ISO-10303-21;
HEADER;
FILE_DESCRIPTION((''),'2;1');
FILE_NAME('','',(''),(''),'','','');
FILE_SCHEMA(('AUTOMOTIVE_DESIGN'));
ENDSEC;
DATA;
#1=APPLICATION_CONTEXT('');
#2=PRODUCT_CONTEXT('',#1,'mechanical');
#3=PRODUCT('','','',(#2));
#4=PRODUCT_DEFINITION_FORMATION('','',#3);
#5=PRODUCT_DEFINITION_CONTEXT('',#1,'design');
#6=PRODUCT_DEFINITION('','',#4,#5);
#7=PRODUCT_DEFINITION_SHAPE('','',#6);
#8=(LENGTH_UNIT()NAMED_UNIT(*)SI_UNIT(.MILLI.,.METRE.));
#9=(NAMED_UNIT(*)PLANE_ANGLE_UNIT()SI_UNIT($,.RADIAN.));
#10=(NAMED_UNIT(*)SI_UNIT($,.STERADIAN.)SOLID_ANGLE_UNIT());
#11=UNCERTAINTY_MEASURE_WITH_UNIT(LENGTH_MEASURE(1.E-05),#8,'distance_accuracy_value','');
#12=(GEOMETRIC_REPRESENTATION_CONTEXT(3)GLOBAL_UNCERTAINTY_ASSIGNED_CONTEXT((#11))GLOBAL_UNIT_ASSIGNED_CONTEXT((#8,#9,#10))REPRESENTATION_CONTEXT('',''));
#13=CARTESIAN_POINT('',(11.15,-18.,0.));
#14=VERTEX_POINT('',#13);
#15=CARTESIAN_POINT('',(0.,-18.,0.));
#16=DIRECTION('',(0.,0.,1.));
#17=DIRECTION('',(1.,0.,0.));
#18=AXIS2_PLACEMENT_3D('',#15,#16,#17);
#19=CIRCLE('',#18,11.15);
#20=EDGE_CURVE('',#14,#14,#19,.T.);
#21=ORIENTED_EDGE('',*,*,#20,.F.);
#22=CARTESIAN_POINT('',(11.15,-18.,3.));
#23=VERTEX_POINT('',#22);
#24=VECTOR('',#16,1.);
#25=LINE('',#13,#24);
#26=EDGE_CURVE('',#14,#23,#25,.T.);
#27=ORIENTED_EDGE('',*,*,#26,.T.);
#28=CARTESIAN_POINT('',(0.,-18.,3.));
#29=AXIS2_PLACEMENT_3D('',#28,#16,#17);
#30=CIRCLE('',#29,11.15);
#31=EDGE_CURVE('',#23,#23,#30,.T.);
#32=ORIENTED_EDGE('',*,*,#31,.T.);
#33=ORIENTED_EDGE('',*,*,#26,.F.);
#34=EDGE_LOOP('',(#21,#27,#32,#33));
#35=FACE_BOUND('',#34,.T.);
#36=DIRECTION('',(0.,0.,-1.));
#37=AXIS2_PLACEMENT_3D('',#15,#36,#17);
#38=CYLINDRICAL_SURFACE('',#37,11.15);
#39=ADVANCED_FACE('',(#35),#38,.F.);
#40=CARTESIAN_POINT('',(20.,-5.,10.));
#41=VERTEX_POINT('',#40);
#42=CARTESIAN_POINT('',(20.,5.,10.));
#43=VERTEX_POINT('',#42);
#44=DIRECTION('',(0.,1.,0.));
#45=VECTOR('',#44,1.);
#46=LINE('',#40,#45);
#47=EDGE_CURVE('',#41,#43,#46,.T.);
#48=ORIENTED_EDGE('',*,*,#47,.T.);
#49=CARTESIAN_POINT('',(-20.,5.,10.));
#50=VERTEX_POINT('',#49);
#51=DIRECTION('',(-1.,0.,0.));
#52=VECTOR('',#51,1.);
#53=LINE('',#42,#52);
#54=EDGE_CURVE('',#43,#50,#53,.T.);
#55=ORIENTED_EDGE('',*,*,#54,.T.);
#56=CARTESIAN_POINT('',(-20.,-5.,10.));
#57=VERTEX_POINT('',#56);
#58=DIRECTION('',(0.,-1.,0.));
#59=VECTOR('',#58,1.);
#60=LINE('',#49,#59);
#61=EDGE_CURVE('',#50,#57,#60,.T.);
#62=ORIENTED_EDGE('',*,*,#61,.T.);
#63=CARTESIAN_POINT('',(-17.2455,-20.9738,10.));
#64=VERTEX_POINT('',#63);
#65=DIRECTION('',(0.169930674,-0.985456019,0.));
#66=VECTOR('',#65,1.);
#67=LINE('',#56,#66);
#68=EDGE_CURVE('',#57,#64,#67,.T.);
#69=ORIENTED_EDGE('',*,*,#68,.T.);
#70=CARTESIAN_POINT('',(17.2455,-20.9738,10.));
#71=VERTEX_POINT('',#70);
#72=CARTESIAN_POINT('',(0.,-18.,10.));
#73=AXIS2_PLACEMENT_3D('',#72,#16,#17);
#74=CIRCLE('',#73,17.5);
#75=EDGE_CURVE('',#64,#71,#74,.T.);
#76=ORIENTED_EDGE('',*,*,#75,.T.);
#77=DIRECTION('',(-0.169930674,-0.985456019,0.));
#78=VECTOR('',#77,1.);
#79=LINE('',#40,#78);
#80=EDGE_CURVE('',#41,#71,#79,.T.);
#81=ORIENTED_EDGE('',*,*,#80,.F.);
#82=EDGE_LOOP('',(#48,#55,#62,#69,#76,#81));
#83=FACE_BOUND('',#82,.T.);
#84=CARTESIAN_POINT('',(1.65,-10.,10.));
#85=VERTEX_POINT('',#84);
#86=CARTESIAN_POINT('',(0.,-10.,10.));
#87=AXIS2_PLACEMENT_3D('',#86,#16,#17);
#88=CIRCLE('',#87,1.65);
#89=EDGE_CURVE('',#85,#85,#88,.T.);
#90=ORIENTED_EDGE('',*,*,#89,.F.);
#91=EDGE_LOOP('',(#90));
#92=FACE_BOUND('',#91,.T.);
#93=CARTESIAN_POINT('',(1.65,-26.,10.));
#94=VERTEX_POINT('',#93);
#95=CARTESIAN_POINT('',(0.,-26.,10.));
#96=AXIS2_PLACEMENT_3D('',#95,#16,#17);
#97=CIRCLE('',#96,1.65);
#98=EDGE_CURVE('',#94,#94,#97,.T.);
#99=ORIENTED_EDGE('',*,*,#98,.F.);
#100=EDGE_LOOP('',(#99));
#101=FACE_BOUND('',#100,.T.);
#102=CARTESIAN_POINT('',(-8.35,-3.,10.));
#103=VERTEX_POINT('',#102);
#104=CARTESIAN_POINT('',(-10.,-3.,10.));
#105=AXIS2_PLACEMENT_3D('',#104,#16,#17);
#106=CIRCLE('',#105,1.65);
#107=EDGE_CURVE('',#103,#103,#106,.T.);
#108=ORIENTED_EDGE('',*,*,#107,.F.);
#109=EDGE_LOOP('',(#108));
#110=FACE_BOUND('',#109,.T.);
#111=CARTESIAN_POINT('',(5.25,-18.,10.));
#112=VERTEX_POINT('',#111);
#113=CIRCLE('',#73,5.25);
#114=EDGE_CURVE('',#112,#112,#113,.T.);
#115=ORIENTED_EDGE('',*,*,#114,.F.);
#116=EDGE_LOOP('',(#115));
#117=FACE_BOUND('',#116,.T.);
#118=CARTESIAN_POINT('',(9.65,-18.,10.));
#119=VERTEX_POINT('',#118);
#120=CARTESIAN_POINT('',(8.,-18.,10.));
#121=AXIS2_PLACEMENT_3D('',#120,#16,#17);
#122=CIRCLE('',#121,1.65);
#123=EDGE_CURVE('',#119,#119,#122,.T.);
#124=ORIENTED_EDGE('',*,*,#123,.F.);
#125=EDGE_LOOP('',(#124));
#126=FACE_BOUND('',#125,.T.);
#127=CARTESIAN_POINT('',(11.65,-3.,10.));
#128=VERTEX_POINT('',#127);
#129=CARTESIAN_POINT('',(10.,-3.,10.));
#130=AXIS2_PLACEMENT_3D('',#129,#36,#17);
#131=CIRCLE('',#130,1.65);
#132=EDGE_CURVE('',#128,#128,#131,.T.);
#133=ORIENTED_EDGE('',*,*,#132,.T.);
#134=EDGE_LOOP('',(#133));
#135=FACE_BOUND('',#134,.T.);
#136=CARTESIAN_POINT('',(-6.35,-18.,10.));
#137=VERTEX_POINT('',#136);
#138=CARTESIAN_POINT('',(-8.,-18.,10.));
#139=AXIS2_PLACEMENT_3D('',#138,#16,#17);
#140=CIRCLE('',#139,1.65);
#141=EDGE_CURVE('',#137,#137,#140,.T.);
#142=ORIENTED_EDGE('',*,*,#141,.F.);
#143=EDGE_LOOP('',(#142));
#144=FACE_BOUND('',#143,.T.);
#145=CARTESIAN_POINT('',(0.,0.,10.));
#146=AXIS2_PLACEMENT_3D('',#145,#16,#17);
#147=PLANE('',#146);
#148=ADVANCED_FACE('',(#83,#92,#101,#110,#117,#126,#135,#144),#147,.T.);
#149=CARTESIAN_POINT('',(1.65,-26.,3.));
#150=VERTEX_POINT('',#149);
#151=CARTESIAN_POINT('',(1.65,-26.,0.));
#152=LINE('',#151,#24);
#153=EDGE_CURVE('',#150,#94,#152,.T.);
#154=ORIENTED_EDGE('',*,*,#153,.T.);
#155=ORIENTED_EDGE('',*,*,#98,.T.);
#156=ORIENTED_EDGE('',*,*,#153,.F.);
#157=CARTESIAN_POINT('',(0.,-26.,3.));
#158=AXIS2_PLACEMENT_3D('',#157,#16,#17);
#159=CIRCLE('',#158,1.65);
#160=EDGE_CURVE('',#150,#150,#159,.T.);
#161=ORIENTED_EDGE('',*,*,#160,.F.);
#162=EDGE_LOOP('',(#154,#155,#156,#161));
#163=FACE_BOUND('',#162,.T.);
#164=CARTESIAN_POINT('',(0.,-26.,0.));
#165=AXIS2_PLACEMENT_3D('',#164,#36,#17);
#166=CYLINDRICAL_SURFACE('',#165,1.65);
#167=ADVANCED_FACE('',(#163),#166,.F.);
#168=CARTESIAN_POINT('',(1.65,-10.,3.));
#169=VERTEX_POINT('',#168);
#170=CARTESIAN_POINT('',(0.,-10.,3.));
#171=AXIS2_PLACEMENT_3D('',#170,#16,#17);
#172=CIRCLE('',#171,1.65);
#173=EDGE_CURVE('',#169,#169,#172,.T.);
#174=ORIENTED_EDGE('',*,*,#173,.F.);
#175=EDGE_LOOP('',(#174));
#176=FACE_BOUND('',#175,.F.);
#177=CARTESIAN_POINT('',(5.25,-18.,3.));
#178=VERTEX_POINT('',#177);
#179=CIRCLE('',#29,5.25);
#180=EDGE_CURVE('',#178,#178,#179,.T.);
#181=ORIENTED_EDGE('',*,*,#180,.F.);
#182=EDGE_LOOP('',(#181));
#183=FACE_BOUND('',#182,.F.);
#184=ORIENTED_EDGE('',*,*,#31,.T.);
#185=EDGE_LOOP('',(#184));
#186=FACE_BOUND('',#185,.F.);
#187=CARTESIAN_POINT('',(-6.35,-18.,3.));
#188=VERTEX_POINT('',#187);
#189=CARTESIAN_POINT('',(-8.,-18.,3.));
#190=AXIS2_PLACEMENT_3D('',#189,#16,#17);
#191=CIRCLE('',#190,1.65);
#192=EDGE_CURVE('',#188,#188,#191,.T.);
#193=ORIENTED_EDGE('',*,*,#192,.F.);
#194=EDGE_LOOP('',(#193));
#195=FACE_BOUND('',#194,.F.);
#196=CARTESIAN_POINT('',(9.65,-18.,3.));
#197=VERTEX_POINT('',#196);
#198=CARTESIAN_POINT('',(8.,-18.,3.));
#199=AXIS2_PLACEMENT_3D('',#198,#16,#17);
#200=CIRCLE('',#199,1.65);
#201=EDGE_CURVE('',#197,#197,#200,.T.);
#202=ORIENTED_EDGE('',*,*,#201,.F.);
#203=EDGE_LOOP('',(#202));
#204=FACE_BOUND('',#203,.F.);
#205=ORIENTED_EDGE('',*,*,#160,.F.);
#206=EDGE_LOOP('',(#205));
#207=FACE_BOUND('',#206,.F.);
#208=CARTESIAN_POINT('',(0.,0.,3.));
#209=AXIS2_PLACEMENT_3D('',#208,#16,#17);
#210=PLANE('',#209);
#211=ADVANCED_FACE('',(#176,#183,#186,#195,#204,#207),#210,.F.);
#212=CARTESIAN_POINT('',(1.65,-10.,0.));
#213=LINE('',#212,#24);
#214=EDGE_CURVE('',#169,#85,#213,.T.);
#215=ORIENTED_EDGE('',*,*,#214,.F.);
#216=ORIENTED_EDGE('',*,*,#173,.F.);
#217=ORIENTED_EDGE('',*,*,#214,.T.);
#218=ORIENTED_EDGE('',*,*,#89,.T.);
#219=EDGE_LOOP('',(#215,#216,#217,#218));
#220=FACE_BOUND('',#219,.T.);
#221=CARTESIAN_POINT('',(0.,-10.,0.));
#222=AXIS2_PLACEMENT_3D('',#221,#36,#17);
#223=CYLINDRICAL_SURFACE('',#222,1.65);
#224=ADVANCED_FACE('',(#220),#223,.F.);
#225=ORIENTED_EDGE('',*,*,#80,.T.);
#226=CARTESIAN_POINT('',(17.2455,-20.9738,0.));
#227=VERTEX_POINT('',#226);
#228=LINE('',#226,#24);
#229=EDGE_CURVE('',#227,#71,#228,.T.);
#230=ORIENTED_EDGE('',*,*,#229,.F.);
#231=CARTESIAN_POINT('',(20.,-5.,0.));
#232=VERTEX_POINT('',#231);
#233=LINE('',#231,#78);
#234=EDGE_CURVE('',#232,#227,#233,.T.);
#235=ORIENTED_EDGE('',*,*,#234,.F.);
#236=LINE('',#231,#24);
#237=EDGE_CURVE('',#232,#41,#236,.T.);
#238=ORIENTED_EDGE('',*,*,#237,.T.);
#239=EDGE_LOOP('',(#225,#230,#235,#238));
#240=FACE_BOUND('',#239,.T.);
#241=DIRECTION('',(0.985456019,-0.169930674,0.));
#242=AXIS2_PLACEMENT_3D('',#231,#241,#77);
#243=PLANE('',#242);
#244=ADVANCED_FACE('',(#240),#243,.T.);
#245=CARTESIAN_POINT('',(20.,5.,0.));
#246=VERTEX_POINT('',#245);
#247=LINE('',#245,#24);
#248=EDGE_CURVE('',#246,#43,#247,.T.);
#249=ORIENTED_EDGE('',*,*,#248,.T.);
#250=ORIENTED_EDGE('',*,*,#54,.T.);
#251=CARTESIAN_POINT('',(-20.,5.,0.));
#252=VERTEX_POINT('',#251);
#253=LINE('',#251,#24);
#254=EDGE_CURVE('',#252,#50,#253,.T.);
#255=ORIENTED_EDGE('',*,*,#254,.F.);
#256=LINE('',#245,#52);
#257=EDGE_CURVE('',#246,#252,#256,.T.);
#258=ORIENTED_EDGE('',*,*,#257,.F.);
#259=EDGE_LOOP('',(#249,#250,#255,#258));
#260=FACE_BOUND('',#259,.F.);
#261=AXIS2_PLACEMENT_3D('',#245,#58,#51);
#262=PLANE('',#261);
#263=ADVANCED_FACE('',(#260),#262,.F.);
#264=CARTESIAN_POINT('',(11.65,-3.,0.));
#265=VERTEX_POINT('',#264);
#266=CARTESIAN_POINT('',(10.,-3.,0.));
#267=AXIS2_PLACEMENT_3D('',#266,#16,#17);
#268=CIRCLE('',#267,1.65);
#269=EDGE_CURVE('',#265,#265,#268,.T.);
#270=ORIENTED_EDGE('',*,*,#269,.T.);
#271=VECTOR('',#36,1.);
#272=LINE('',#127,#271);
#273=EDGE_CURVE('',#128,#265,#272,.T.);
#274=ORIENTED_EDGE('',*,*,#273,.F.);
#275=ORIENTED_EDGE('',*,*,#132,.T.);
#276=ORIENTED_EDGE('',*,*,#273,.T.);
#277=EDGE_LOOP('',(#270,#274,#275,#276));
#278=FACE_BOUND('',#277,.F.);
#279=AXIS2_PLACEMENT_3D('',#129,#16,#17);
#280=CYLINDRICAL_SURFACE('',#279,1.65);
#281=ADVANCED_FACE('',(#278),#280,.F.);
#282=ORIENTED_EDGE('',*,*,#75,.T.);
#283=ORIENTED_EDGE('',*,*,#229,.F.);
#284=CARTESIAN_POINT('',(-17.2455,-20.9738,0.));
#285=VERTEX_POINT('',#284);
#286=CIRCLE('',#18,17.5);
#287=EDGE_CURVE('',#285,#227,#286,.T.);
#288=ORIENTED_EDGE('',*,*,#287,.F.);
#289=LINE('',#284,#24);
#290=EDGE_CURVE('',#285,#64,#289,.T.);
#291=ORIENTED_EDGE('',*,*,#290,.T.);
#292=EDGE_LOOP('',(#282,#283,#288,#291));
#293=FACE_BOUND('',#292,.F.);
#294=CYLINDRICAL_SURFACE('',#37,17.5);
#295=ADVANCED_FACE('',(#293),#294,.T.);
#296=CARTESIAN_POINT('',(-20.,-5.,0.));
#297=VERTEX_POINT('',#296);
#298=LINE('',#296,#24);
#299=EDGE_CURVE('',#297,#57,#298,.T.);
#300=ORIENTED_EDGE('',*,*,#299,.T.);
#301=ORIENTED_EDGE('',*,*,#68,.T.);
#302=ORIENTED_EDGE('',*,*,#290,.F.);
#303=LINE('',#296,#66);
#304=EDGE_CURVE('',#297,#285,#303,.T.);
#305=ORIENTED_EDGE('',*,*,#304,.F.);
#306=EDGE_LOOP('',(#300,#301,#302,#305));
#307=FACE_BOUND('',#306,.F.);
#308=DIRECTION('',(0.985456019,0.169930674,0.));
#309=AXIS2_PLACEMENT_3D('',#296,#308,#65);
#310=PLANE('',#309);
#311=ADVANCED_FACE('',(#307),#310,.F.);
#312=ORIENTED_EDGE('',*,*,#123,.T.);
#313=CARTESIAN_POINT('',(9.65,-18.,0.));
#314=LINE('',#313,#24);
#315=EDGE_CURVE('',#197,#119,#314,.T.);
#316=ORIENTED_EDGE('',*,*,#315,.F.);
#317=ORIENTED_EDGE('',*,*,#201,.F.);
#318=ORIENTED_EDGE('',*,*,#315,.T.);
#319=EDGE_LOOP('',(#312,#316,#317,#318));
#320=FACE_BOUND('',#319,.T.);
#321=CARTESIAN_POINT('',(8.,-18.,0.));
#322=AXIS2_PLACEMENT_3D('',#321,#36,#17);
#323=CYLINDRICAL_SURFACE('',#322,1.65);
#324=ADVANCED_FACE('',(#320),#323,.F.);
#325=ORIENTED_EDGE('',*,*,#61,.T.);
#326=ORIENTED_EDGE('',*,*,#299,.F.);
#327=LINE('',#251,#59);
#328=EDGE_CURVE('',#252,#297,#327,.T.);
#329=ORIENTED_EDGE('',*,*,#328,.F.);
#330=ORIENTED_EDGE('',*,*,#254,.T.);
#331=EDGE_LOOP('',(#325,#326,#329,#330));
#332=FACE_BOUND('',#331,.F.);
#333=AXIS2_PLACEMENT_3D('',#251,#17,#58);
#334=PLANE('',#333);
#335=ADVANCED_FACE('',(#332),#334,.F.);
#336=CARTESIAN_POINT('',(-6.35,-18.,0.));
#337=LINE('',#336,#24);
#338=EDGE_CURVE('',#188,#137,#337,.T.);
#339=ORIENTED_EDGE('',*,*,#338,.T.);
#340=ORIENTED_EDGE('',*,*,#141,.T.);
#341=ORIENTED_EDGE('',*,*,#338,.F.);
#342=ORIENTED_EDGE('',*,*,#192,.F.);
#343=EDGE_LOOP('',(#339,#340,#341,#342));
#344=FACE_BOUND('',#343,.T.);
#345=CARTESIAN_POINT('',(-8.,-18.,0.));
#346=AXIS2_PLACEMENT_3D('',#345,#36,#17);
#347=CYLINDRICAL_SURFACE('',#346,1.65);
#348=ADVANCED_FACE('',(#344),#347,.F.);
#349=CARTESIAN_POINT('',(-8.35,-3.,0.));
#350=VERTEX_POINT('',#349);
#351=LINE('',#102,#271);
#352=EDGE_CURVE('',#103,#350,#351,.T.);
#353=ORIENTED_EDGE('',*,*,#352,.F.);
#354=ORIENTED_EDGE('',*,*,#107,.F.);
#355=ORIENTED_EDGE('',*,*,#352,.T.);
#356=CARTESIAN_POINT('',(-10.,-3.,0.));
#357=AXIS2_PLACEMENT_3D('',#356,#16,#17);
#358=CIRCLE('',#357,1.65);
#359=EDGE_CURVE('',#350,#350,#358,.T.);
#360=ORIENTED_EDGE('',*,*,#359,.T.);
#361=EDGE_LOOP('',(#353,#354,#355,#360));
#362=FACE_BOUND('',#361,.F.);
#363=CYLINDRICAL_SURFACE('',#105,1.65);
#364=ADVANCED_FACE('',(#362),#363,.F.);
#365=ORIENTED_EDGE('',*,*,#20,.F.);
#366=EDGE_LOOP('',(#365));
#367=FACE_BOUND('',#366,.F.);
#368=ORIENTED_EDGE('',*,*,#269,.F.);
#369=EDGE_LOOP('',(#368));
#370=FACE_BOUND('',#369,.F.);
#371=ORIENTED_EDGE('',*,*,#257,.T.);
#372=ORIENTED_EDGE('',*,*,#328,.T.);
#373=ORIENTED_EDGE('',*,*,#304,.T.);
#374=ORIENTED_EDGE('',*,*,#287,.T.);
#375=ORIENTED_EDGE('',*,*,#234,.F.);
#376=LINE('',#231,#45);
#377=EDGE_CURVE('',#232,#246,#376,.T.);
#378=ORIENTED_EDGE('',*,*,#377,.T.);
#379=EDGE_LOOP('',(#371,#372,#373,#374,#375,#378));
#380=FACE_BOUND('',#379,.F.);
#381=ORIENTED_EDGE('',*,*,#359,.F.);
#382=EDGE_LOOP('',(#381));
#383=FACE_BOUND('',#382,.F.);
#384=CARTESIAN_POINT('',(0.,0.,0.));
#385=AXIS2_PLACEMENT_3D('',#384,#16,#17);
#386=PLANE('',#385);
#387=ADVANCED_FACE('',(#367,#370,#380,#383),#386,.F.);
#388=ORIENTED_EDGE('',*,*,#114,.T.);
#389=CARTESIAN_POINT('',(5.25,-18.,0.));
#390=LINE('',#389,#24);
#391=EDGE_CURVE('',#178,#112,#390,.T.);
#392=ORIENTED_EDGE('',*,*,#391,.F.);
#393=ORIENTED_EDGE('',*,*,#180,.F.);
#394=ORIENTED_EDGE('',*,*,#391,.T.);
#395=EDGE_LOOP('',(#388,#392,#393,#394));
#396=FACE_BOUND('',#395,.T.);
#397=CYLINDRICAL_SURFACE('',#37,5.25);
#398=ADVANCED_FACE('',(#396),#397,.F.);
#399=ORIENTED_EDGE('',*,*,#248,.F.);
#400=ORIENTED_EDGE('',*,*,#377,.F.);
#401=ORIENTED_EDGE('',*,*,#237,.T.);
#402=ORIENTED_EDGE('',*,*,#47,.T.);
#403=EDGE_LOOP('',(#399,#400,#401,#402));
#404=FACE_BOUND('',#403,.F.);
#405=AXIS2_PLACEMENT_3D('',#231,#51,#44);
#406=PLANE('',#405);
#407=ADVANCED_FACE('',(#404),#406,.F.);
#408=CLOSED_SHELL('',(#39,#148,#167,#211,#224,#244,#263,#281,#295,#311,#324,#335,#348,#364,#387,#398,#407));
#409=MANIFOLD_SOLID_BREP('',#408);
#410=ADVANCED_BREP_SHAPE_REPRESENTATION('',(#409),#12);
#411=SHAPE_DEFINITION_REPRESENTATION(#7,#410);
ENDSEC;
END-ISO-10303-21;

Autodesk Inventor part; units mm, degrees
ref_plane "YZ Plane" through (0, 0, 0) normal (1, 0, 0) x (0, 1, 0)
ref_plane "XZ Plane" through (0, 0, 0) normal (0, 1, 0) x (-1, 0, 0)
ref_plane "XY Plane" through (0, 0, 0) normal (0, 0, 1) x (1, 0, 0)
sketch "Sketch1" plane through (0, 0, 0) normal (0, 0, 1) x (1, 0, 0)
  line L0 (-20, -5) -> (20, -5)
  line L1 (20, -5) -> (20, 5)
  line L2 (20, 5) -> (-20, 5)
  line L3 (-20, 5) -> (-20, -5)
  line L4 (-20, -5) -> (20, 5) construction
  line L5 (20, -5) -> (-20, 5) construction
  circle A0 centre (0, -18) radius 11.15
  circle A1 centre (0, -18) radius 5.25
  circle A2 centre (0, -18) radius 17.5
  line L6 (-20, -5) -> (-17.2455, -20.9738)
  line L7 (20, -5) -> (17.2455, -20.9738)
  circle A3 centre (0, -10) radius 1.65
  circle A4 centre (-8, -18) radius 1.65
  circle A5 centre (0, -26) radius 1.65
  circle A6 centre (8, -18) radius 1.65
  point P0 (0, 0)
  dimension "d0" = 22.3
  dimension "d1" = 10.5
  dimension "d2" = 35
  dimension "d3" = 3.3
  dimension "d4" = 8
  dimension "d7" = 360
  dimension "d14" = 40
  dimension "d16" = 23
  dimension "d17" = 10
extrude "Extrusion1" add sketch "Sketch1" along normal blind 10 contours L3 L2 L1 L0 A2 | L0 A2 L6 | A2 L0 | L0 A2 | L0 L7 A2 | A0
extrude "Extrusion2" cut sketch "Sketch1" along normal blind 3 contours A0
sketch "Sketch2" plane through (0, 0, 10) normal (0, 0, 1) x (1, 0, 0)
  line L0 (20, 5) -> (-20, 5) projected
  line L1 (-20, 5) -> (-20, -5) projected
  line L2 (-20, -5) -> (-17.2455, -20.9738) projected
  arc A0 (-17.2455, -20.9738) -> (17.2455, -20.9738) centre (0, -18) ccw projected
  line L3 (17.2455, -20.9738) -> (20, -5) projected
  line L4 (20, -5) -> (20, 5) projected
  circle A1 centre (0, -18) radius 5.25 projected
  circle A2 centre (0, -10) radius 1.65 projected
  circle A3 centre (-8, -18) radius 1.65 projected
  circle A4 centre (0, -26) radius 1.65 projected
  circle A5 centre (8, -18) radius 1.65 projected
  circle A6 centre (-10, -3) radius 1.65
  circle A7 centre (10, -3) radius 1.65
  line L5 (-10, -3) -> (10, -3)
  point P0 (0, 0)
  point P1 (0, -3)
  dimension "d18" = 3.3
  dimension "d19" = 3.3
  dimension "d20" = 8
  dimension "d21" = 20
extrude "Extrusion3" cut sketch "Sketch2" against normal through all contours A6 | A7
properties part number "PARA_TUERCA" material "Steel, Mild, Welded"
